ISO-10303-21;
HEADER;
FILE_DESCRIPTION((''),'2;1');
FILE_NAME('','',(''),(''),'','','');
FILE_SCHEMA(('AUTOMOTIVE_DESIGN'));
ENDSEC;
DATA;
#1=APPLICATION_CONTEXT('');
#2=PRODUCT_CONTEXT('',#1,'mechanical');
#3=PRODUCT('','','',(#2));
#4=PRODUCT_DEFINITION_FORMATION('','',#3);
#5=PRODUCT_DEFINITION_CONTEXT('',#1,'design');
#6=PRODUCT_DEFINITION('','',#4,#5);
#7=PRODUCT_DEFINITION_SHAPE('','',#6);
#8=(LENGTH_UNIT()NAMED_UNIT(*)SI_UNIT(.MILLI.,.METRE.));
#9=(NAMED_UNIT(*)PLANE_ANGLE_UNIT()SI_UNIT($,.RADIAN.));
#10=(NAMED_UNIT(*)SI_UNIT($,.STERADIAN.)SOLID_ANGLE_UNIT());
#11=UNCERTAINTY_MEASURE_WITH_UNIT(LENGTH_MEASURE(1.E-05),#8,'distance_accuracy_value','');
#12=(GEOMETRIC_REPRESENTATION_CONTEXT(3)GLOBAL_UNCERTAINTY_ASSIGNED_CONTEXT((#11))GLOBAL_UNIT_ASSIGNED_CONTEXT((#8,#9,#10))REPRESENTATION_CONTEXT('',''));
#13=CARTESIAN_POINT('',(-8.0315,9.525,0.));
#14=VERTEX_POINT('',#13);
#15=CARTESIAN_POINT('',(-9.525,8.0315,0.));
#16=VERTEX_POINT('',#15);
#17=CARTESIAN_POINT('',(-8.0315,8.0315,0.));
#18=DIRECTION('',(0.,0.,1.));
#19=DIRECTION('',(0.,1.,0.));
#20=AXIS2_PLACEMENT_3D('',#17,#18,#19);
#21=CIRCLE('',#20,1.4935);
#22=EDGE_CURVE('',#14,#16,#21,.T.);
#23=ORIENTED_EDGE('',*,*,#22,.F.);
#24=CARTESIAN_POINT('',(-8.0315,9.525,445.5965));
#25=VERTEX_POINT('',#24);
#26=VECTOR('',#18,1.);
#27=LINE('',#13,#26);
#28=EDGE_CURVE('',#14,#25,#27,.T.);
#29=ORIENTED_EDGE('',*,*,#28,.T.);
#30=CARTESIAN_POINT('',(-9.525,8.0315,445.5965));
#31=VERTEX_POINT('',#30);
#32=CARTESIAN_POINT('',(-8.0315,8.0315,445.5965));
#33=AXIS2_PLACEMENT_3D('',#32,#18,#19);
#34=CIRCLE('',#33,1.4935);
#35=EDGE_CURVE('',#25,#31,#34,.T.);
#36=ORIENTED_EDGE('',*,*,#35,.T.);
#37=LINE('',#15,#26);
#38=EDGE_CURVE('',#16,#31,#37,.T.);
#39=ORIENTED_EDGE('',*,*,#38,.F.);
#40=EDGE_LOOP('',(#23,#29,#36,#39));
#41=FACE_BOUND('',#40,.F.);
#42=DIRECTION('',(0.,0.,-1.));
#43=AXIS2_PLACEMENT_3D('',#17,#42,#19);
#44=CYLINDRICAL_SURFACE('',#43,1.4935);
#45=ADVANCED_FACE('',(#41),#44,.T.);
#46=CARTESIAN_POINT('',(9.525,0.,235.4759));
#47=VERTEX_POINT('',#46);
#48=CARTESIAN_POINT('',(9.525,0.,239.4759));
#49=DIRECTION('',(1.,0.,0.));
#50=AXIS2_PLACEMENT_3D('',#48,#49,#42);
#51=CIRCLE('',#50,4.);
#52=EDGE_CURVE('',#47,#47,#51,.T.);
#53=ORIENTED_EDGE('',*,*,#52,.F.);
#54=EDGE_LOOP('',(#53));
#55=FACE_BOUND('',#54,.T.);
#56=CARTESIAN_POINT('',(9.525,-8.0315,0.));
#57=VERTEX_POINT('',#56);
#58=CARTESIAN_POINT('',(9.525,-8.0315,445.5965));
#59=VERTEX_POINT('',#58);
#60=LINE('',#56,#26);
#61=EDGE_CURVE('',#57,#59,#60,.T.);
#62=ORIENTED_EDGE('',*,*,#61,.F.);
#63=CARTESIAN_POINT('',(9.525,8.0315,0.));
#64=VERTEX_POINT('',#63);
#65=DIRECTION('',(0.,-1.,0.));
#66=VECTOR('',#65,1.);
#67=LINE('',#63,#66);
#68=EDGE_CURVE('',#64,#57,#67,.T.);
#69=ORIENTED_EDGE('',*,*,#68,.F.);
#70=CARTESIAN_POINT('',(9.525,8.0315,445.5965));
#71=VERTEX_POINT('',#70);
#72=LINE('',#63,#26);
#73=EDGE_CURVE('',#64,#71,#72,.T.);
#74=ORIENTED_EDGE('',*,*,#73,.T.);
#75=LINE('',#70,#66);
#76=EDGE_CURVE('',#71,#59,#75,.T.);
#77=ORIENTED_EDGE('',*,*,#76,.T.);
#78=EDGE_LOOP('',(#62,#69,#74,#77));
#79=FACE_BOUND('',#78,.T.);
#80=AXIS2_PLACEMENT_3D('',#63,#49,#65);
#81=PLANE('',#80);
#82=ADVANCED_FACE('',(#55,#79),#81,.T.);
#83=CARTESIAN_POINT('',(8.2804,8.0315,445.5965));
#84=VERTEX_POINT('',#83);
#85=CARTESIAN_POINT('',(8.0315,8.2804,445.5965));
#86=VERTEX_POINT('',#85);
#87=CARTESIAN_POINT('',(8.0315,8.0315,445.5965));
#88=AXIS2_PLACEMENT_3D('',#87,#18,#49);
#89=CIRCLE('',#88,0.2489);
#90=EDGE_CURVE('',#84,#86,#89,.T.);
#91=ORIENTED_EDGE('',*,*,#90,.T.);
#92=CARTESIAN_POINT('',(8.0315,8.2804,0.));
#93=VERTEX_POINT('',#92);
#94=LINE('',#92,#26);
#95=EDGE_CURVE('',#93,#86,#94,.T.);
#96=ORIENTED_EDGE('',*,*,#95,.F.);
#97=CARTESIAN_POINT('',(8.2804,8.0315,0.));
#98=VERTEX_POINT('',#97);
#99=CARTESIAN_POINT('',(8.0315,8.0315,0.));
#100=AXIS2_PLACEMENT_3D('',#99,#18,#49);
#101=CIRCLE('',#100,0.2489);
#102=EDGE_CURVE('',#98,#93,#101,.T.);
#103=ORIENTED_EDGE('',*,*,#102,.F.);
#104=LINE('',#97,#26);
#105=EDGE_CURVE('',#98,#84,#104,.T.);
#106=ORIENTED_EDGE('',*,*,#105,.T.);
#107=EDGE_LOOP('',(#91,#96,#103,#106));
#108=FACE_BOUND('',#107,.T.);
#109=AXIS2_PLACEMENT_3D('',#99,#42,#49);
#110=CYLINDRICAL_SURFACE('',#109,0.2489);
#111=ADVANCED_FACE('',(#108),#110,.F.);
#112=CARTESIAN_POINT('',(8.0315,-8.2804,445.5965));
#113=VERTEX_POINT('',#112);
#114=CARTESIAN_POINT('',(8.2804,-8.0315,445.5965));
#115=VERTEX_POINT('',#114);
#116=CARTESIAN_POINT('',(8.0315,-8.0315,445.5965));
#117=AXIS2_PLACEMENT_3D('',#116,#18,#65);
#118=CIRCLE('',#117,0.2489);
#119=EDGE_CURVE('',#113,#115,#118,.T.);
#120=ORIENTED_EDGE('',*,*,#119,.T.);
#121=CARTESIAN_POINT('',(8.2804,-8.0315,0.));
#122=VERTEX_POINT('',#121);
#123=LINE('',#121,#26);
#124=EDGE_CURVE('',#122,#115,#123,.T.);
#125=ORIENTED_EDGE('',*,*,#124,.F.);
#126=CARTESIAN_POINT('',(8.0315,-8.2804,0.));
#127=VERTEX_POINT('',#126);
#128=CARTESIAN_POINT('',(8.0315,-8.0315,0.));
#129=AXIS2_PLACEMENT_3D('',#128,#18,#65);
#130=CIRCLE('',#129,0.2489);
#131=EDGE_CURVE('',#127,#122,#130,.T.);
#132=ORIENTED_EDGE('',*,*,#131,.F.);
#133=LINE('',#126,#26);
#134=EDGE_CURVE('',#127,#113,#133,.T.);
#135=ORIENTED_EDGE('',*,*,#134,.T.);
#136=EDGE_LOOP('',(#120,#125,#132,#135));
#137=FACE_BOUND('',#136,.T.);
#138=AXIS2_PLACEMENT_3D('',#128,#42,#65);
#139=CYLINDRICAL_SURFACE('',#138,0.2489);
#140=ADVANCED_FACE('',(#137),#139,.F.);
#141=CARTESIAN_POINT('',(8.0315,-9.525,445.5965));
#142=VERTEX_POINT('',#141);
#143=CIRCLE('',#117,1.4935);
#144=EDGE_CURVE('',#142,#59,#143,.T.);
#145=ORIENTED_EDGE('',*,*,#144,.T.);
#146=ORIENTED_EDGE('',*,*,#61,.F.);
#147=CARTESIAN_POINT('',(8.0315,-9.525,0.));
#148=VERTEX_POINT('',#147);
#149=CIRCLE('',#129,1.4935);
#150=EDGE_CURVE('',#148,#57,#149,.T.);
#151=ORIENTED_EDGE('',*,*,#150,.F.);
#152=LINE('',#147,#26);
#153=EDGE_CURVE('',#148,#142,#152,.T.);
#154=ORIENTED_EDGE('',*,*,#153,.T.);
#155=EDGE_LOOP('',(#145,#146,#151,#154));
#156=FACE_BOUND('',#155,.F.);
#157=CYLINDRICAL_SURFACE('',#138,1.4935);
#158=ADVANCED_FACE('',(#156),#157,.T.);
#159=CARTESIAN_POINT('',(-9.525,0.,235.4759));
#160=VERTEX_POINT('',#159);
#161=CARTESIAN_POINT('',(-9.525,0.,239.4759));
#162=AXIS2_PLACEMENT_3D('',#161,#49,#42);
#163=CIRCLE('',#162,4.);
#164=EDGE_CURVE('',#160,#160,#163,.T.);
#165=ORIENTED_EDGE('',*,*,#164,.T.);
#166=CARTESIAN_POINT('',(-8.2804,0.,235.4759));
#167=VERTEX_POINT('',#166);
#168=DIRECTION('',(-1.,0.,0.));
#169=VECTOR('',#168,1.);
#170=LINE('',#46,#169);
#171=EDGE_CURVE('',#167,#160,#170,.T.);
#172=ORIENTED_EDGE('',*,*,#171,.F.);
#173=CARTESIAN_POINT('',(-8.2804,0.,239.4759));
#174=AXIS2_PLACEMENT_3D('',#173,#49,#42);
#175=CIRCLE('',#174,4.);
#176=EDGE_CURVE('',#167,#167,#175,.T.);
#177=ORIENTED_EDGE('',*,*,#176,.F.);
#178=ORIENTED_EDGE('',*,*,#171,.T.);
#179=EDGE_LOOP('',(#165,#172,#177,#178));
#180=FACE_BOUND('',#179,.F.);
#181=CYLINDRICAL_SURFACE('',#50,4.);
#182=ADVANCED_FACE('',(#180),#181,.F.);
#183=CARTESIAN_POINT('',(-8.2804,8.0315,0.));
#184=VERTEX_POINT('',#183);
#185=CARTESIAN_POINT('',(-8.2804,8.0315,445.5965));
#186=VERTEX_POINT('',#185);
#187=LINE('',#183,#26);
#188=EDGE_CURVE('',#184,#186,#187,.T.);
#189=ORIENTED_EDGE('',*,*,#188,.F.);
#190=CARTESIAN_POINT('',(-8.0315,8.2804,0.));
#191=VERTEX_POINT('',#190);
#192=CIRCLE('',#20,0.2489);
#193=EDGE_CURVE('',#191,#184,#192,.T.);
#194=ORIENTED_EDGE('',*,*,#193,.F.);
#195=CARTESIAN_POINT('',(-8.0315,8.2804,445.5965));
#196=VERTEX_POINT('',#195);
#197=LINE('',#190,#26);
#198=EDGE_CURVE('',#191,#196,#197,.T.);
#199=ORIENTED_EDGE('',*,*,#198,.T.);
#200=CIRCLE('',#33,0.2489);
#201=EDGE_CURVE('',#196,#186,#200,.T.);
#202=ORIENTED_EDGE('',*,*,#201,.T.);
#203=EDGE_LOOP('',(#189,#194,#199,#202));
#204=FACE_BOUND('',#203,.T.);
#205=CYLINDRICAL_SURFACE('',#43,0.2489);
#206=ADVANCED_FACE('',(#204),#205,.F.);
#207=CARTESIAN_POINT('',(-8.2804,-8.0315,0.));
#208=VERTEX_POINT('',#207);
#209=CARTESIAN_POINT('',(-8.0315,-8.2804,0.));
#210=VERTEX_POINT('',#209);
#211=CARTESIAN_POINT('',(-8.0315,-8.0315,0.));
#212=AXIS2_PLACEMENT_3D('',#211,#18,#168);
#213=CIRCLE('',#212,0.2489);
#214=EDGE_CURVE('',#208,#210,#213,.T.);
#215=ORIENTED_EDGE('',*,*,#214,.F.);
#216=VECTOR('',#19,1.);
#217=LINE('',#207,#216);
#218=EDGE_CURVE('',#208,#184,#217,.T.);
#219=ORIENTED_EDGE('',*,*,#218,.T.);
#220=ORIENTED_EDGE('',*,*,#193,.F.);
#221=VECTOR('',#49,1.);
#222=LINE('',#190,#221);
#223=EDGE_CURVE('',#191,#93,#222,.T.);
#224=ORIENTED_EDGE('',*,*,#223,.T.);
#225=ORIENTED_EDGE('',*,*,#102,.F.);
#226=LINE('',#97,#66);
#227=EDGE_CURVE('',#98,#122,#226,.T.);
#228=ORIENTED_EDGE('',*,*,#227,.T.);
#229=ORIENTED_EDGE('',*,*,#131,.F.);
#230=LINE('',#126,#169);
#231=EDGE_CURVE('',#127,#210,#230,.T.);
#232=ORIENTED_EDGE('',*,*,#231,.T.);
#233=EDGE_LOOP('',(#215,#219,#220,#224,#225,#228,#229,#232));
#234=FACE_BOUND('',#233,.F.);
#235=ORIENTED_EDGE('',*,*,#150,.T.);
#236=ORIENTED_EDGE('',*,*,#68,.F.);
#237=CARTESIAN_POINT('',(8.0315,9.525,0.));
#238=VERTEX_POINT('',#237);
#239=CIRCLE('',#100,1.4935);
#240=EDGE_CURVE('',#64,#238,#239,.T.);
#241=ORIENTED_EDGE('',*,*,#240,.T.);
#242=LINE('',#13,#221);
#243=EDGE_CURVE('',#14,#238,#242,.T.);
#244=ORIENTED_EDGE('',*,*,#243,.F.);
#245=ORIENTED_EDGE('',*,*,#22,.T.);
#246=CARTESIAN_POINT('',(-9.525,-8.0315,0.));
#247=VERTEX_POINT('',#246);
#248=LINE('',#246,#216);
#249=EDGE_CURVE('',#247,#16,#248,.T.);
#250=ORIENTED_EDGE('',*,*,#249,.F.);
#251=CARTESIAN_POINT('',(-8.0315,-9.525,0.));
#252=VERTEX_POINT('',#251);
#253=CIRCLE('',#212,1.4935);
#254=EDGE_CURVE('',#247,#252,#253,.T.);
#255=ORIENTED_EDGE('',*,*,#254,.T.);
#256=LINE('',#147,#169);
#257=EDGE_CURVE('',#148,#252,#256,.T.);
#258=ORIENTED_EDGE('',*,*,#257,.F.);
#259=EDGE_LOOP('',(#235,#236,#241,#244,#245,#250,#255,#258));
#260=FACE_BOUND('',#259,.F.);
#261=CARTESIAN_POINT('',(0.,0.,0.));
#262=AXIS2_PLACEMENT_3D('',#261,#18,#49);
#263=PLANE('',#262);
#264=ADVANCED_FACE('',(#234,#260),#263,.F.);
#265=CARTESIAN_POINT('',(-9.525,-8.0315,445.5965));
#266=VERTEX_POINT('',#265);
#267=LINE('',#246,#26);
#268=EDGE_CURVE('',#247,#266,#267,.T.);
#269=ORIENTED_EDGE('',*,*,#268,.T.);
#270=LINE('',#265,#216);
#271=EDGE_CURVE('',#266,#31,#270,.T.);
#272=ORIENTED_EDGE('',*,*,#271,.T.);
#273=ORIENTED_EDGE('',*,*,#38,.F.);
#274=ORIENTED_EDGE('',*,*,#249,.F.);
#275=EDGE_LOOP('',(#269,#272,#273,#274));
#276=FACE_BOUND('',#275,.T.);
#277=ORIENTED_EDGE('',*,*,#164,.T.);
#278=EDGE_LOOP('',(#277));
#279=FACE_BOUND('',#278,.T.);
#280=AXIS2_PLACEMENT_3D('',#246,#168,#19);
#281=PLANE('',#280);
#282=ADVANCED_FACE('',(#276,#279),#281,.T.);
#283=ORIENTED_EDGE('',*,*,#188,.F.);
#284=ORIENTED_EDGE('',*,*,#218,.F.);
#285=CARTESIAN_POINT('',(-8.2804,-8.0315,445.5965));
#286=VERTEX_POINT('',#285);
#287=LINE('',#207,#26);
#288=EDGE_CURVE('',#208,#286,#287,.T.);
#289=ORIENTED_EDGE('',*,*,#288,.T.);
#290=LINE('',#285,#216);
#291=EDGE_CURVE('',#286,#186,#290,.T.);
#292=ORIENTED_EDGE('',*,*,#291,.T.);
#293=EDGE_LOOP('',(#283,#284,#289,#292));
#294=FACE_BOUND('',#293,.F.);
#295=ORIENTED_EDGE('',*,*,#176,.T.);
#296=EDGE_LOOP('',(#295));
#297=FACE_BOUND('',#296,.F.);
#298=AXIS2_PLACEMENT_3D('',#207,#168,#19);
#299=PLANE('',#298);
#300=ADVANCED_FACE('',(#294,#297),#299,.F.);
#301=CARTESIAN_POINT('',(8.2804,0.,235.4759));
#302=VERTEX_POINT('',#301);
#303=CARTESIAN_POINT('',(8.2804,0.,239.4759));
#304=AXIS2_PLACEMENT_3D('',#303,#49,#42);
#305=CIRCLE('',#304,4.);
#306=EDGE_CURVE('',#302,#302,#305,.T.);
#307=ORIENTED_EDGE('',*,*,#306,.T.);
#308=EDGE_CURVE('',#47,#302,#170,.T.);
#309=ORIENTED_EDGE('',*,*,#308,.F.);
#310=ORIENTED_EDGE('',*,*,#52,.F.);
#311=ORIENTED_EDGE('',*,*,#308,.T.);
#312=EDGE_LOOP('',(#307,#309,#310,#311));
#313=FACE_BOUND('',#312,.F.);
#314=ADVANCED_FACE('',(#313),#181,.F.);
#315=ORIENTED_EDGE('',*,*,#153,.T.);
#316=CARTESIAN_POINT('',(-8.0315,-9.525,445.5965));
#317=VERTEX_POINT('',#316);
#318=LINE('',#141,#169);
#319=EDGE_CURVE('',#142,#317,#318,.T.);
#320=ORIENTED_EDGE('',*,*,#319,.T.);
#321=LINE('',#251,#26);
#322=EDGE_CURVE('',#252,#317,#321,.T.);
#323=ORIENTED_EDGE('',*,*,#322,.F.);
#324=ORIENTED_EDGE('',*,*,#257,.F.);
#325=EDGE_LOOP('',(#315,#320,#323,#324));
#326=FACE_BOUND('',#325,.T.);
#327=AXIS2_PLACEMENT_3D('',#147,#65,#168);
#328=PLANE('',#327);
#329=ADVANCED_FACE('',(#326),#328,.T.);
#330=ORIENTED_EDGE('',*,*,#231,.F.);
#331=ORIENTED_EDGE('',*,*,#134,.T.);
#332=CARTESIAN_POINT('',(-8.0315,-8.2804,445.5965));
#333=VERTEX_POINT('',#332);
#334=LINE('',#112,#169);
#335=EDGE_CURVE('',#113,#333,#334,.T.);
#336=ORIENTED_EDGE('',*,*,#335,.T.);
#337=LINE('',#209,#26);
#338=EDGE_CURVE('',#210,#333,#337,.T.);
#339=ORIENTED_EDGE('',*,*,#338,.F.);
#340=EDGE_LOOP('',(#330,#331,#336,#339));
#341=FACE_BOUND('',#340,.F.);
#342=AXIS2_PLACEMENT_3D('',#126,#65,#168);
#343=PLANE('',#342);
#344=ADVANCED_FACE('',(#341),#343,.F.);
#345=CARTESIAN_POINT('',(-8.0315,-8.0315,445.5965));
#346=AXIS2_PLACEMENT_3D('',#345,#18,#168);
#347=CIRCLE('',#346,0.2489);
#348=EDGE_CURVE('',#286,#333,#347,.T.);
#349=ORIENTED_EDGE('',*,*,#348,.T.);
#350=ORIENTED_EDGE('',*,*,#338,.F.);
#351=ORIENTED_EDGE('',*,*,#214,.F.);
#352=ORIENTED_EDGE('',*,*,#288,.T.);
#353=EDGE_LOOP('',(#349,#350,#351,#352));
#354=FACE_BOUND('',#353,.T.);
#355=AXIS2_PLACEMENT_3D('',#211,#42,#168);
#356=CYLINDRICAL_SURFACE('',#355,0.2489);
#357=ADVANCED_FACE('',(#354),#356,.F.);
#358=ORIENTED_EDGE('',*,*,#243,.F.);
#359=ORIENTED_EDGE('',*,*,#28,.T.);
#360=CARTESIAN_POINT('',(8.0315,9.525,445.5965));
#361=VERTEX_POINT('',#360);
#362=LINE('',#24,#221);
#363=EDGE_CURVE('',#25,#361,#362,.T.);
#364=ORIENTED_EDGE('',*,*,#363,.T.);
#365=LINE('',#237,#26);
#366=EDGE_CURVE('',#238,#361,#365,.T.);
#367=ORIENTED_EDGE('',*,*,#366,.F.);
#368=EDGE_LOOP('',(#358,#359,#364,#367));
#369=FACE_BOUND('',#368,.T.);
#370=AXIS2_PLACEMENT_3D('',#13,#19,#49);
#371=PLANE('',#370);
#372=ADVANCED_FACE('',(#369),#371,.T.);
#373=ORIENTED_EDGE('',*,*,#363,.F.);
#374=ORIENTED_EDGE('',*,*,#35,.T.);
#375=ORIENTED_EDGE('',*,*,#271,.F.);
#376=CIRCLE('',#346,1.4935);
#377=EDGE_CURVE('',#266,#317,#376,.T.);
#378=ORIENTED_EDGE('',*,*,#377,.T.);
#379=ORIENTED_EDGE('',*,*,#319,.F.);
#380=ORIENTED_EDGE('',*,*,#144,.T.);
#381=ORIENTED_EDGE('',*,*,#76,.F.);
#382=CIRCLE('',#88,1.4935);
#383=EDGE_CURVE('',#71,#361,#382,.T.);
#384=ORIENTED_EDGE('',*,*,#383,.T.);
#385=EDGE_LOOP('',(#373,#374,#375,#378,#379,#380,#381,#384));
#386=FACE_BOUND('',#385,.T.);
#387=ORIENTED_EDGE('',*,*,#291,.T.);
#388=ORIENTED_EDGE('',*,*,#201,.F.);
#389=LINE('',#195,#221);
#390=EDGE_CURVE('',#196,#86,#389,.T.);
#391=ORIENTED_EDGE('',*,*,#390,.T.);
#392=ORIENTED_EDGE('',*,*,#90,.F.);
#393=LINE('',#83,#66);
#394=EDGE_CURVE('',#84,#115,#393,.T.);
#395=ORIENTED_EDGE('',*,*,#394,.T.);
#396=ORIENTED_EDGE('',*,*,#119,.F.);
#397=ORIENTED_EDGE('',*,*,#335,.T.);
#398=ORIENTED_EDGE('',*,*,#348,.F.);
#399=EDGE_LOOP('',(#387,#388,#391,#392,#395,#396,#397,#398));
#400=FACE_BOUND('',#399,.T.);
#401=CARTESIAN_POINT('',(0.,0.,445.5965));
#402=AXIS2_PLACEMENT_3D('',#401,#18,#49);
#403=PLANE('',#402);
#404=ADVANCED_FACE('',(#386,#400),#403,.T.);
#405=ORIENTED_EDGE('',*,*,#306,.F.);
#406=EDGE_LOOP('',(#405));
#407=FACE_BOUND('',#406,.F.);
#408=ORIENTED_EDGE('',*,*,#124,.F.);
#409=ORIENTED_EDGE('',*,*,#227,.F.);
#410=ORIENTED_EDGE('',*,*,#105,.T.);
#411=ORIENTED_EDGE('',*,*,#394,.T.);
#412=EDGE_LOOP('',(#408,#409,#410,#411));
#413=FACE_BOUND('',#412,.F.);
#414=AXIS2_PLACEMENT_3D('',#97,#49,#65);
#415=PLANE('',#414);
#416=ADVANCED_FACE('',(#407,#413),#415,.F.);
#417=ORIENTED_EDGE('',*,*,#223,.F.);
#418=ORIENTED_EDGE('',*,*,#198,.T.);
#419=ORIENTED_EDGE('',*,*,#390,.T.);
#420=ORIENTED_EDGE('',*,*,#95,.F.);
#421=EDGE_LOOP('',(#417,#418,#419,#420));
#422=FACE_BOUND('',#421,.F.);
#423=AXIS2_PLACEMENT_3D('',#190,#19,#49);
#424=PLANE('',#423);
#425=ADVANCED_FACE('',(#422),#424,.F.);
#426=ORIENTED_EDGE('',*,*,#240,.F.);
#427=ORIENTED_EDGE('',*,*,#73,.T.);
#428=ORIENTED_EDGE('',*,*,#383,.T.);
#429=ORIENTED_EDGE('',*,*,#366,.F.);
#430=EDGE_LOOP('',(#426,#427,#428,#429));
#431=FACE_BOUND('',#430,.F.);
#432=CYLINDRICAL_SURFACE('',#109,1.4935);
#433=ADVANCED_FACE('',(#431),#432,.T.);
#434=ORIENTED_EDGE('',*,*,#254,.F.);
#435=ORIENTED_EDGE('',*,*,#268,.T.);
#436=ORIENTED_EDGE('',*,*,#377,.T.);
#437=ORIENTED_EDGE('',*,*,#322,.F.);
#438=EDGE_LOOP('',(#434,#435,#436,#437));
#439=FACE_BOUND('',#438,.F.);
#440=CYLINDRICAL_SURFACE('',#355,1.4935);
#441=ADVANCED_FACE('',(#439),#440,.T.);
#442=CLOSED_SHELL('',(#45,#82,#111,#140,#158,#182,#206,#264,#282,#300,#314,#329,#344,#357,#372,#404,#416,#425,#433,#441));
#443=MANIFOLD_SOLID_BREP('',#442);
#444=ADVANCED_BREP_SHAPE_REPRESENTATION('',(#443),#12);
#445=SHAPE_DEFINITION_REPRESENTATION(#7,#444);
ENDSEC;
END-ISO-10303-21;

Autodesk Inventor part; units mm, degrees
ref_plane "YZ Plane" through (0, 0, 0) normal (1, 0, 0) x (0, 1, 0)
ref_plane "Start Plane" through (0, 0, 0) normal (0, 0, 1) x (1, 0, 0)
ref_plane "End Plane" through (0, 0, 445.5965) normal (0, 0, 1) x (1, 0, 0)
sketch "Sketch" plane through (0, 0, 0) normal (0, 0, 1) x (1, 0, 0)
  line L0 (-9.525, -8.0315) -> (-9.525, 8.0315)
  line L1 (-8.0315, 9.525) -> (8.0315, 9.525)
  line L2 (9.525, 8.0315) -> (9.525, -8.0315)
  line L3 (8.0315, -9.525) -> (-8.0315, -9.525)
  arc A0 (-9.525, -8.0315) -> (-8.0315, -9.525) centre (-8.0315, -8.0315) ccw
  arc A1 (-8.0315, 9.525) -> (-9.525, 8.0315) centre (-8.0315, 8.0315) ccw
  arc A2 (9.525, 8.0315) -> (8.0315, 9.525) centre (8.0315, 8.0315) ccw
  arc A3 (8.0315, -9.525) -> (9.525, -8.0315) centre (8.0315, -8.0315) ccw
  arc A4 (-8.0315, 8.2804) -> (-8.2804, 8.0315) centre (-8.0315, 8.0315) ccw
  line L4 (-8.0315, 8.2804) -> (8.0315, 8.2804)
  arc A5 (8.2804, 8.0315) -> (8.0315, 8.2804) centre (8.0315, 8.0315) ccw
  line L5 (8.2804, 8.0315) -> (8.2804, -8.0315)
  arc A6 (8.0315, -8.2804) -> (8.2804, -8.0315) centre (8.0315, -8.0315) ccw
  line L6 (8.0315, -8.2804) -> (-8.0315, -8.2804)
  arc A7 (-8.2804, -8.0315) -> (-8.0315, -8.2804) centre (-8.0315, -8.0315) ccw
  line L7 (-8.2804, -8.0315) -> (-8.2804, 8.0315)
  line L8 (0, 13.768) -> (0, -13.768) construction
  line L9 (-13.8012, 0) -> (13.9669, 0) construction
  dimension "d10" = 19.05
  dimension "d11" = 19.05
  dimension "d12" = 1.2446
  dimension "d15" = 9.525
  dimension "d16" = 9.525
  dimension "d17" = 1.4935
extrude "Body" add sketch "Sketch" along normal up to surface (445.5965 mm away) from surface at 0
sketch "Sketch3" plane through (0, 0, 0) normal (0, 0, 1) x (1, 0, 0)
  line L0 (0, 0) -> (10, 0)
ref_plane "Work Plane3" through (0, 0, 0) normal (0, -1, 0) x (1, 0, 0)
sketch "Sketch5" plane through (9.525, -8.0315, 445.5965) normal (1, 0, 0) x (0, 0, -1)
  line L0 (0, 16.063) -> (0, 0) projected
  line L1 (445.5965, 0) -> (0, 0) projected
  line L2 (445.5965, 16.063) -> (445.5965, 0) projected
  line L3 (445.5965, 16.063) -> (0, 16.063) projected
  circle A0 centre (206.1206, 8.0315) radius 4
  point P0 (445.5965, 8.0315)
  point P1 (445.5965, 8.0315)
  dimension "d20" = 8
extrude "Extrusion2" cut sketch "Sketch5" against normal through all contours A0
sketch "Sketch4" plane through (0, 0, 0) normal (0, -1, 0) x (1, 0, 0)
  line L0 (-2, 0) -> (12, 0) projected
  line L1 (-2, 445.5965) -> (12, 445.5965) projected
  dimension "d19" = 445.5965
equation "\"d10\" = G_H"
equation "\"d11\" = G_W"
equation "\"d12\" = G_T"
equation "\"d15\" = 0.5 * d10"
equation "\"d16\" = 0.5 * d11"
equation "\"d17\" = G_IR"
equation "\"d3\" = G_L"
equation "\"G_W\" = 19.05"
equation "\"G_H\" = 19.05"
equation "\"G_T\" = 1.2446"
equation "\"G_IR\" = 1.2 * G_T"
equation "\"G_L\" = d19"
equation "\"G_OFFSET_START\" = 0"
equation "\"G_OFFSET_END\" = 0"
equation "\"d14\" = G_OFFSET_END + B_L"
equation "\"B_L\" = 445.59646"
properties part number "ASTM A513 - 3/4 x 3/4 x 49/1000 - 17.543" material "Steel, Mild"
